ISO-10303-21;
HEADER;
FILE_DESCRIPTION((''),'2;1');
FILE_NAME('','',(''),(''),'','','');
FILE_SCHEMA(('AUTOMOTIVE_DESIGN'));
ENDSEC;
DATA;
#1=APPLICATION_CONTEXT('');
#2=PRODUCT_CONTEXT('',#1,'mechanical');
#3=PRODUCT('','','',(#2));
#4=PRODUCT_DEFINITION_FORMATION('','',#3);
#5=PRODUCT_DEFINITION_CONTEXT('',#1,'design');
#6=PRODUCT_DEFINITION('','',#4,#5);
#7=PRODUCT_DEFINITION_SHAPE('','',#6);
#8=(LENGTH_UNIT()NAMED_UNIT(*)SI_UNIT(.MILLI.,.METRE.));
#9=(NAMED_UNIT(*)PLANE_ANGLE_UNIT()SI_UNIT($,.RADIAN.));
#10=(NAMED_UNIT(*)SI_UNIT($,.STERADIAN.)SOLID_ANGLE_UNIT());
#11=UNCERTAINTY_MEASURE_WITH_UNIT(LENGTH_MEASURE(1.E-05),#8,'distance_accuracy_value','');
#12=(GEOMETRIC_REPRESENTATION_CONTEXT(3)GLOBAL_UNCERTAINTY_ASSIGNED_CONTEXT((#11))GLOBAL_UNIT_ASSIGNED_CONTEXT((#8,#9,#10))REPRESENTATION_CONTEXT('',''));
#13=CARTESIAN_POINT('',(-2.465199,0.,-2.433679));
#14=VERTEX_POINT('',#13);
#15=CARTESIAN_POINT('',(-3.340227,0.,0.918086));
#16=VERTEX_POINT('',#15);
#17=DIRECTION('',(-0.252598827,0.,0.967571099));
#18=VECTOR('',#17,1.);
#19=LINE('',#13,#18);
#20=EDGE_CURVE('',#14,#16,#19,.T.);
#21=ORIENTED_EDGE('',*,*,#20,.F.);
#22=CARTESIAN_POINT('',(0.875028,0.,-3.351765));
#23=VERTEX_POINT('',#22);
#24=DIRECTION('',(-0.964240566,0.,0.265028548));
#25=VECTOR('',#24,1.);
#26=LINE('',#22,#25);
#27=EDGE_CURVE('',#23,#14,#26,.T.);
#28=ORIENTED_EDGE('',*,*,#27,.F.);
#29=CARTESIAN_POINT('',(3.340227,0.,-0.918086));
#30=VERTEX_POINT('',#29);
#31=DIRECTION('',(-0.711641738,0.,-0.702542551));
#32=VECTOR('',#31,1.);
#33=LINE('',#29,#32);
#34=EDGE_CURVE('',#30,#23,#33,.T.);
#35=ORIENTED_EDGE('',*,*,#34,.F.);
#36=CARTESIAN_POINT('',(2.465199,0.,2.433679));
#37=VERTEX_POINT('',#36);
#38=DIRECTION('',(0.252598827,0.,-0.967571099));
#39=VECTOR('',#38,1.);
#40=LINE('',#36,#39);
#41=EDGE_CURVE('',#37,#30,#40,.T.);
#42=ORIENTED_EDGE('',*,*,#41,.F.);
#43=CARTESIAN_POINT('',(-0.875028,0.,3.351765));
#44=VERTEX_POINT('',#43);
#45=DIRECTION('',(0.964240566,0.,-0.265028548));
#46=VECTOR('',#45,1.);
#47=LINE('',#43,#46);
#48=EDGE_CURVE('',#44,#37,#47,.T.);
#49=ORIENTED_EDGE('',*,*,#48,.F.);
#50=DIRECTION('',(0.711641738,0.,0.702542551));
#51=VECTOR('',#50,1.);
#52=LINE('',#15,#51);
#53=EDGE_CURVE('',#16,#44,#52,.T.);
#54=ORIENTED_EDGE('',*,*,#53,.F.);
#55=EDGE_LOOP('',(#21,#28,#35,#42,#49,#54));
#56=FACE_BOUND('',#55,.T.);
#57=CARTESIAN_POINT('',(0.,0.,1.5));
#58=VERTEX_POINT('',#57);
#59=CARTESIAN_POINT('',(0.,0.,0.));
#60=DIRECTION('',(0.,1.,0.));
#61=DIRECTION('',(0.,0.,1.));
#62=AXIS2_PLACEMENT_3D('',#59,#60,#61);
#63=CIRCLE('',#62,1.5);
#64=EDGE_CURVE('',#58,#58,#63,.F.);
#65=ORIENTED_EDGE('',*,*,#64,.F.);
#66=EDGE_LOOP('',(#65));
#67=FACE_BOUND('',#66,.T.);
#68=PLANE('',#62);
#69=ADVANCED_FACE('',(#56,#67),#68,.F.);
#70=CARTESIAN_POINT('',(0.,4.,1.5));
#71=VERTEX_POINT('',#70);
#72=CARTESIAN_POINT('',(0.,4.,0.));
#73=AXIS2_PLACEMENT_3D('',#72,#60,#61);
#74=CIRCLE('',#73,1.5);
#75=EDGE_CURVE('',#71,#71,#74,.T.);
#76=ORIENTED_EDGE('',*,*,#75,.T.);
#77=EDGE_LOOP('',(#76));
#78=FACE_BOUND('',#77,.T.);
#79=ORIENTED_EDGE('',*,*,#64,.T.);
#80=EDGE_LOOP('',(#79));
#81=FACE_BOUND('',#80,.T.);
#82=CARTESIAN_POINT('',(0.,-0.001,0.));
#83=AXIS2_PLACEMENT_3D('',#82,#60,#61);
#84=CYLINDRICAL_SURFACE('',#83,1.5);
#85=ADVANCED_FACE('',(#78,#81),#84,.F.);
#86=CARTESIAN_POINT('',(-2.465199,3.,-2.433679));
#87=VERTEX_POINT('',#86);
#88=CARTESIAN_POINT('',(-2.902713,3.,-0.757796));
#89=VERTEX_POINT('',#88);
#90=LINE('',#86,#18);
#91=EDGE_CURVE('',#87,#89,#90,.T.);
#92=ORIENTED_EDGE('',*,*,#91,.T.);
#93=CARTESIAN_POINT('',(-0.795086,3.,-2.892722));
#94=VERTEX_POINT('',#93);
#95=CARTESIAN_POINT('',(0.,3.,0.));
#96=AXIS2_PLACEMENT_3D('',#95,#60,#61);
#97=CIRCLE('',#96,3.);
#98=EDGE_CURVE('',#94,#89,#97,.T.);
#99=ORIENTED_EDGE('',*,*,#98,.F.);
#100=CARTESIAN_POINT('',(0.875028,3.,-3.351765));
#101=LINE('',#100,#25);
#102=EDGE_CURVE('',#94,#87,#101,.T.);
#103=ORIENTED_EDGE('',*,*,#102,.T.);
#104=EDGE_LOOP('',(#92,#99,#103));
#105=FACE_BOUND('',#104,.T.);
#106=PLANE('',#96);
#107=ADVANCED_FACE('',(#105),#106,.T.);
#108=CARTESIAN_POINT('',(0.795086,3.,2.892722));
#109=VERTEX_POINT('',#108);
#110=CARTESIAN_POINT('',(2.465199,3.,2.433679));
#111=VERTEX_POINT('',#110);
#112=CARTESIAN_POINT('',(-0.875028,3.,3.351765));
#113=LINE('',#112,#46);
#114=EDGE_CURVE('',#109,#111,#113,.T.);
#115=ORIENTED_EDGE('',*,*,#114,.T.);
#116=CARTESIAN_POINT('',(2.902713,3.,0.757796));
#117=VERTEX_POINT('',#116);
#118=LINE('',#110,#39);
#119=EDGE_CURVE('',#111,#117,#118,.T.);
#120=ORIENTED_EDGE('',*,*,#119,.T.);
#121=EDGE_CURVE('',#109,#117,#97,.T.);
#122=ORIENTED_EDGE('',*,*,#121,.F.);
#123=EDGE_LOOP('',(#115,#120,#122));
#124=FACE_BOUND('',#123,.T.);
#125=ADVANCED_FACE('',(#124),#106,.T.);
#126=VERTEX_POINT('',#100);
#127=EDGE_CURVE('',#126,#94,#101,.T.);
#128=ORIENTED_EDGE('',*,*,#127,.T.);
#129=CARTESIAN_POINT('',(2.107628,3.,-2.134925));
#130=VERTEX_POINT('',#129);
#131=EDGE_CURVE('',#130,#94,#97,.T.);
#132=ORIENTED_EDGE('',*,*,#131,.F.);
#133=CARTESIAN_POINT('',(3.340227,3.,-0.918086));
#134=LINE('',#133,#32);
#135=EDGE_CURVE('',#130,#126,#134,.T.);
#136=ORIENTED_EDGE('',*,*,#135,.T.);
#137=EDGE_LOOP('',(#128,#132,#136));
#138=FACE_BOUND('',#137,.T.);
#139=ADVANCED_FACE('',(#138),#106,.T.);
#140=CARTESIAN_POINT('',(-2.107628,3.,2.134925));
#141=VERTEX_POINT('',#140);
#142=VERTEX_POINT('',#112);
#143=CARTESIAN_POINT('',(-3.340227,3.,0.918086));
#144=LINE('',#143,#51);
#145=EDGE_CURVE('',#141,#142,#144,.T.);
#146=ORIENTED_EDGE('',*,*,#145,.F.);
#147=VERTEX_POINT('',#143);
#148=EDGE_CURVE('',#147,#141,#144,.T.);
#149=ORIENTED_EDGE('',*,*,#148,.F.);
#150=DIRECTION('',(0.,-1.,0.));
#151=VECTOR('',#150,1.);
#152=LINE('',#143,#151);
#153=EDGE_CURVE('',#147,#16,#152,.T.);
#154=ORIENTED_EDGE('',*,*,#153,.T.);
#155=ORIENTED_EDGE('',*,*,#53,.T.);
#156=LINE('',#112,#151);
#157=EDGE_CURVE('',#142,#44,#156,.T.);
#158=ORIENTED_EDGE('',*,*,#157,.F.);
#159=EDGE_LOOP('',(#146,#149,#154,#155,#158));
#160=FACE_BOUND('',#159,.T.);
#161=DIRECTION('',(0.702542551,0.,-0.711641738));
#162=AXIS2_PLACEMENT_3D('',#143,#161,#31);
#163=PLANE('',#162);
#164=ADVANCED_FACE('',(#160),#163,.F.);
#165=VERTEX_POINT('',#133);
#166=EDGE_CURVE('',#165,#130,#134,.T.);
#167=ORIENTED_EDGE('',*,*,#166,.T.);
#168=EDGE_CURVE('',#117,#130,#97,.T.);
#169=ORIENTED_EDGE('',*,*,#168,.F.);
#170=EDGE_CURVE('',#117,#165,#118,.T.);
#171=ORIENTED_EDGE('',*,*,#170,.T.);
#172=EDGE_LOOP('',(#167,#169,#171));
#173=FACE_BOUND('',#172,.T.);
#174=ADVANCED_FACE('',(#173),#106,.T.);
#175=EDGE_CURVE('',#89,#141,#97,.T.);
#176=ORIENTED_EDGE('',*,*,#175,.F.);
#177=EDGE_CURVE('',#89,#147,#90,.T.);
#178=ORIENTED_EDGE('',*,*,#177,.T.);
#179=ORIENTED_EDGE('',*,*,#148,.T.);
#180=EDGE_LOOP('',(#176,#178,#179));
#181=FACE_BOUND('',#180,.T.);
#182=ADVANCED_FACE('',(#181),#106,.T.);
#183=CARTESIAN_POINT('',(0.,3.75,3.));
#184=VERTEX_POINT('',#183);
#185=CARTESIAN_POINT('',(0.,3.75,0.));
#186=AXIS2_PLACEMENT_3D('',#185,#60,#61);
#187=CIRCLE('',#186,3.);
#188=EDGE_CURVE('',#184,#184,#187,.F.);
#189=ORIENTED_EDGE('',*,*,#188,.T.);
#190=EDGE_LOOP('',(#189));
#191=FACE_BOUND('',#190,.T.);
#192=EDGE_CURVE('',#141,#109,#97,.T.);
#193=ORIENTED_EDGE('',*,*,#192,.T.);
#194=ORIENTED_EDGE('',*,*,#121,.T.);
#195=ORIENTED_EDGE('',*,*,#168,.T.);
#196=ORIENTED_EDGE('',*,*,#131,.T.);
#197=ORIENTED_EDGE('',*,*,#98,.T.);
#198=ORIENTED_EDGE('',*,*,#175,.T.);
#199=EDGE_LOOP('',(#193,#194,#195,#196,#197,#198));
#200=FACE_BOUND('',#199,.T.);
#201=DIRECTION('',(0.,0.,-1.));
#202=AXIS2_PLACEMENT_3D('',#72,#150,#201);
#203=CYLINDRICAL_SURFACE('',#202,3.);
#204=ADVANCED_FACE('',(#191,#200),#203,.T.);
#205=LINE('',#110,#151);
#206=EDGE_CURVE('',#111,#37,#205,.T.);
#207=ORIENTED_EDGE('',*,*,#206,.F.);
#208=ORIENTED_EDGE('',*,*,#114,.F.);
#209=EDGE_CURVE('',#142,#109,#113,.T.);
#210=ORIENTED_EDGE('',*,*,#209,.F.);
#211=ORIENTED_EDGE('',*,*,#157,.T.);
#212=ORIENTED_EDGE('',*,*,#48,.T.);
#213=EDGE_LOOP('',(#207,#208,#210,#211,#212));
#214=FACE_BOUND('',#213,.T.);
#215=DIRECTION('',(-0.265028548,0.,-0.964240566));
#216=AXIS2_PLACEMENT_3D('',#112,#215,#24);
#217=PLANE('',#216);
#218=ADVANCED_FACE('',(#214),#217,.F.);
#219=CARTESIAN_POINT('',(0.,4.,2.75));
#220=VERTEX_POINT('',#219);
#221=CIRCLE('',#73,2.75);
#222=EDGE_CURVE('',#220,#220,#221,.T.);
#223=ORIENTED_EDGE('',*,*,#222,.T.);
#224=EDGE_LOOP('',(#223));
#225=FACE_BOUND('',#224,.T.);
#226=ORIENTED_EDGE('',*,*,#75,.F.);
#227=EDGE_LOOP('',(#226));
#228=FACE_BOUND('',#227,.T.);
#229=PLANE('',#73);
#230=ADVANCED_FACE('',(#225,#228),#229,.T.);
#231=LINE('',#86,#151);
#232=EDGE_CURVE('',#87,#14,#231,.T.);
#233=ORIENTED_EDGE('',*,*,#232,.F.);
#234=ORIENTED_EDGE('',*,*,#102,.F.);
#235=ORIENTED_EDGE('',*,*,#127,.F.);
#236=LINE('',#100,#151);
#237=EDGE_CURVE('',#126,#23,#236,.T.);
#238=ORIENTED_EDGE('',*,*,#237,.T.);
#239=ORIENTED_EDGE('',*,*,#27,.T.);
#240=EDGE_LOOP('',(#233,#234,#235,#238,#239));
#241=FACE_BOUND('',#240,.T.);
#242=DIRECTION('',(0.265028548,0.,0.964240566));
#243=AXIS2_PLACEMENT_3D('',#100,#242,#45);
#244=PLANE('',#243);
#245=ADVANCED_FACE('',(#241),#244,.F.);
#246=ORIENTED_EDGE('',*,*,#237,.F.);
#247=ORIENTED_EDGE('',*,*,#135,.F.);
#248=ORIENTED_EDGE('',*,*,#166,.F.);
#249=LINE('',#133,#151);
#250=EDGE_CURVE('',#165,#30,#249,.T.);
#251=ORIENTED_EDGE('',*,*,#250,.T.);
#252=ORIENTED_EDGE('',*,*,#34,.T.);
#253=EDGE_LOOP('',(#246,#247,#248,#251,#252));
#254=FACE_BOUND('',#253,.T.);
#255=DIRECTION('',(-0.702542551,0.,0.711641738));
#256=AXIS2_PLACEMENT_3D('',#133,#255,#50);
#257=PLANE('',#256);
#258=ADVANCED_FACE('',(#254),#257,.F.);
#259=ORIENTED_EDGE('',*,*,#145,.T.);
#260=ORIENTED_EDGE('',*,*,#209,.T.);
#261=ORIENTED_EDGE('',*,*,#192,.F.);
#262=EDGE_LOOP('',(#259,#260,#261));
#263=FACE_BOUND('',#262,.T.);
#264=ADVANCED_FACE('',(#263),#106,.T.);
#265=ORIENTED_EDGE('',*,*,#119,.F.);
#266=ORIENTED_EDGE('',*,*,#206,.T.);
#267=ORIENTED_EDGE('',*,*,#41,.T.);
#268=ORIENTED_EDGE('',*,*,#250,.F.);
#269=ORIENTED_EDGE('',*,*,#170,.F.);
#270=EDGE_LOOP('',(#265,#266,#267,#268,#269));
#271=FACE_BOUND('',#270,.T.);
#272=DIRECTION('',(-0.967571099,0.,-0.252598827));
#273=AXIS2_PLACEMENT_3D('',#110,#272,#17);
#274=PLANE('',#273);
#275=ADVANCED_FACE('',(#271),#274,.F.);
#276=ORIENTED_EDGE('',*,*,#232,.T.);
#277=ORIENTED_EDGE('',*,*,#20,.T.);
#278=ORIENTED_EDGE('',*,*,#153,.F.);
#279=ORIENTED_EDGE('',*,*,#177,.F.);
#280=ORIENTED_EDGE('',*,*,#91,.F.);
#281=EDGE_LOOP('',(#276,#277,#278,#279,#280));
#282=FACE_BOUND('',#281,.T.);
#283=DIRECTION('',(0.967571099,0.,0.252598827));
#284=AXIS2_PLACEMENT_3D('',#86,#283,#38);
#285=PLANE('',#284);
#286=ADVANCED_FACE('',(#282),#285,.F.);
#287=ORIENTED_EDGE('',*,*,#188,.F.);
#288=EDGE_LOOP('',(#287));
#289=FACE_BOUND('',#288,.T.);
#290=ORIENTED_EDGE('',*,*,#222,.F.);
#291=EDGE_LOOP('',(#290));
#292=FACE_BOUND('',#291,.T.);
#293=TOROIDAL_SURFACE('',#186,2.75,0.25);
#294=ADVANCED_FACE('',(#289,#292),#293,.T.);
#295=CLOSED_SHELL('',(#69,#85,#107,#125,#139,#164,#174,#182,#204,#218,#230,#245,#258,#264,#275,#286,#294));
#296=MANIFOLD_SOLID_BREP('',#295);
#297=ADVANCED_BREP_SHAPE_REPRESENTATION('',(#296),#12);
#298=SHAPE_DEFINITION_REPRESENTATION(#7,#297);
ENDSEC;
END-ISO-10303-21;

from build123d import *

# Parameters (mm, degrees)
BOSS_EXTRUDE1_DEPTH = 3
SKETCH3_R           = 3
BOSS_EXTRUDE2_DEPTH = 1
CUT_EXTRUDE1_REACH  = 8.196
SKETCH4_R           = 1.5
FILLET1_R           = 0.25


with BuildPart() as part:
    # Sketch1 → Boss-Extrude1 (new body)
    with BuildSketch(Plane(origin=(0, 0, 0), x_dir=(1, 0, 0), z_dir=(0, 1, 0))):
        Polygon((2.465199296, -2.433678786), (3.340227301, 0.918085822), (0.875028005, 3.351764608), (-2.465199296, 2.433678786), (-3.340227301, -0.918085822), (-0.875028005, -3.351764608), align=None)
    extrude(amount=BOSS_EXTRUDE1_DEPTH)

    # Sketch3 → Boss-Extrude2 (add)
    with BuildSketch(Plane(origin=(0, 3, 0), x_dir=(1, 0, 0), z_dir=(0, 1, 0))):
        Circle(SKETCH3_R)
    extrude(amount=BOSS_EXTRUDE2_DEPTH)

    # Sketch4 → Cut-Extrude1 (cut, up to next)
    with BuildSketch(Plane(origin=(0, 4, 0), x_dir=(1, 0, 0), z_dir=(0, 1, 0)), mode=Mode.PRIVATE) as cut_extrude1_sk1:
        Circle(SKETCH4_R)
    cut_extrude1_tool1 = extrude(cut_extrude1_sk1.sketch, amount=-CUT_EXTRUDE1_REACH, mode=Mode.PRIVATE) & part.part
    add(cut_extrude1_tool1.solids().sort_by_distance((0, 4, 0))[0], mode=Mode.SUBTRACT)

    # Fillet1
    fillet1_edges = [part.edges().sort_by_distance(p)[0] for p in [
        (-3, 4, 0),
    ]]
    fillet(fillet1_edges, radius=FILLET1_R)


solid = part.part
